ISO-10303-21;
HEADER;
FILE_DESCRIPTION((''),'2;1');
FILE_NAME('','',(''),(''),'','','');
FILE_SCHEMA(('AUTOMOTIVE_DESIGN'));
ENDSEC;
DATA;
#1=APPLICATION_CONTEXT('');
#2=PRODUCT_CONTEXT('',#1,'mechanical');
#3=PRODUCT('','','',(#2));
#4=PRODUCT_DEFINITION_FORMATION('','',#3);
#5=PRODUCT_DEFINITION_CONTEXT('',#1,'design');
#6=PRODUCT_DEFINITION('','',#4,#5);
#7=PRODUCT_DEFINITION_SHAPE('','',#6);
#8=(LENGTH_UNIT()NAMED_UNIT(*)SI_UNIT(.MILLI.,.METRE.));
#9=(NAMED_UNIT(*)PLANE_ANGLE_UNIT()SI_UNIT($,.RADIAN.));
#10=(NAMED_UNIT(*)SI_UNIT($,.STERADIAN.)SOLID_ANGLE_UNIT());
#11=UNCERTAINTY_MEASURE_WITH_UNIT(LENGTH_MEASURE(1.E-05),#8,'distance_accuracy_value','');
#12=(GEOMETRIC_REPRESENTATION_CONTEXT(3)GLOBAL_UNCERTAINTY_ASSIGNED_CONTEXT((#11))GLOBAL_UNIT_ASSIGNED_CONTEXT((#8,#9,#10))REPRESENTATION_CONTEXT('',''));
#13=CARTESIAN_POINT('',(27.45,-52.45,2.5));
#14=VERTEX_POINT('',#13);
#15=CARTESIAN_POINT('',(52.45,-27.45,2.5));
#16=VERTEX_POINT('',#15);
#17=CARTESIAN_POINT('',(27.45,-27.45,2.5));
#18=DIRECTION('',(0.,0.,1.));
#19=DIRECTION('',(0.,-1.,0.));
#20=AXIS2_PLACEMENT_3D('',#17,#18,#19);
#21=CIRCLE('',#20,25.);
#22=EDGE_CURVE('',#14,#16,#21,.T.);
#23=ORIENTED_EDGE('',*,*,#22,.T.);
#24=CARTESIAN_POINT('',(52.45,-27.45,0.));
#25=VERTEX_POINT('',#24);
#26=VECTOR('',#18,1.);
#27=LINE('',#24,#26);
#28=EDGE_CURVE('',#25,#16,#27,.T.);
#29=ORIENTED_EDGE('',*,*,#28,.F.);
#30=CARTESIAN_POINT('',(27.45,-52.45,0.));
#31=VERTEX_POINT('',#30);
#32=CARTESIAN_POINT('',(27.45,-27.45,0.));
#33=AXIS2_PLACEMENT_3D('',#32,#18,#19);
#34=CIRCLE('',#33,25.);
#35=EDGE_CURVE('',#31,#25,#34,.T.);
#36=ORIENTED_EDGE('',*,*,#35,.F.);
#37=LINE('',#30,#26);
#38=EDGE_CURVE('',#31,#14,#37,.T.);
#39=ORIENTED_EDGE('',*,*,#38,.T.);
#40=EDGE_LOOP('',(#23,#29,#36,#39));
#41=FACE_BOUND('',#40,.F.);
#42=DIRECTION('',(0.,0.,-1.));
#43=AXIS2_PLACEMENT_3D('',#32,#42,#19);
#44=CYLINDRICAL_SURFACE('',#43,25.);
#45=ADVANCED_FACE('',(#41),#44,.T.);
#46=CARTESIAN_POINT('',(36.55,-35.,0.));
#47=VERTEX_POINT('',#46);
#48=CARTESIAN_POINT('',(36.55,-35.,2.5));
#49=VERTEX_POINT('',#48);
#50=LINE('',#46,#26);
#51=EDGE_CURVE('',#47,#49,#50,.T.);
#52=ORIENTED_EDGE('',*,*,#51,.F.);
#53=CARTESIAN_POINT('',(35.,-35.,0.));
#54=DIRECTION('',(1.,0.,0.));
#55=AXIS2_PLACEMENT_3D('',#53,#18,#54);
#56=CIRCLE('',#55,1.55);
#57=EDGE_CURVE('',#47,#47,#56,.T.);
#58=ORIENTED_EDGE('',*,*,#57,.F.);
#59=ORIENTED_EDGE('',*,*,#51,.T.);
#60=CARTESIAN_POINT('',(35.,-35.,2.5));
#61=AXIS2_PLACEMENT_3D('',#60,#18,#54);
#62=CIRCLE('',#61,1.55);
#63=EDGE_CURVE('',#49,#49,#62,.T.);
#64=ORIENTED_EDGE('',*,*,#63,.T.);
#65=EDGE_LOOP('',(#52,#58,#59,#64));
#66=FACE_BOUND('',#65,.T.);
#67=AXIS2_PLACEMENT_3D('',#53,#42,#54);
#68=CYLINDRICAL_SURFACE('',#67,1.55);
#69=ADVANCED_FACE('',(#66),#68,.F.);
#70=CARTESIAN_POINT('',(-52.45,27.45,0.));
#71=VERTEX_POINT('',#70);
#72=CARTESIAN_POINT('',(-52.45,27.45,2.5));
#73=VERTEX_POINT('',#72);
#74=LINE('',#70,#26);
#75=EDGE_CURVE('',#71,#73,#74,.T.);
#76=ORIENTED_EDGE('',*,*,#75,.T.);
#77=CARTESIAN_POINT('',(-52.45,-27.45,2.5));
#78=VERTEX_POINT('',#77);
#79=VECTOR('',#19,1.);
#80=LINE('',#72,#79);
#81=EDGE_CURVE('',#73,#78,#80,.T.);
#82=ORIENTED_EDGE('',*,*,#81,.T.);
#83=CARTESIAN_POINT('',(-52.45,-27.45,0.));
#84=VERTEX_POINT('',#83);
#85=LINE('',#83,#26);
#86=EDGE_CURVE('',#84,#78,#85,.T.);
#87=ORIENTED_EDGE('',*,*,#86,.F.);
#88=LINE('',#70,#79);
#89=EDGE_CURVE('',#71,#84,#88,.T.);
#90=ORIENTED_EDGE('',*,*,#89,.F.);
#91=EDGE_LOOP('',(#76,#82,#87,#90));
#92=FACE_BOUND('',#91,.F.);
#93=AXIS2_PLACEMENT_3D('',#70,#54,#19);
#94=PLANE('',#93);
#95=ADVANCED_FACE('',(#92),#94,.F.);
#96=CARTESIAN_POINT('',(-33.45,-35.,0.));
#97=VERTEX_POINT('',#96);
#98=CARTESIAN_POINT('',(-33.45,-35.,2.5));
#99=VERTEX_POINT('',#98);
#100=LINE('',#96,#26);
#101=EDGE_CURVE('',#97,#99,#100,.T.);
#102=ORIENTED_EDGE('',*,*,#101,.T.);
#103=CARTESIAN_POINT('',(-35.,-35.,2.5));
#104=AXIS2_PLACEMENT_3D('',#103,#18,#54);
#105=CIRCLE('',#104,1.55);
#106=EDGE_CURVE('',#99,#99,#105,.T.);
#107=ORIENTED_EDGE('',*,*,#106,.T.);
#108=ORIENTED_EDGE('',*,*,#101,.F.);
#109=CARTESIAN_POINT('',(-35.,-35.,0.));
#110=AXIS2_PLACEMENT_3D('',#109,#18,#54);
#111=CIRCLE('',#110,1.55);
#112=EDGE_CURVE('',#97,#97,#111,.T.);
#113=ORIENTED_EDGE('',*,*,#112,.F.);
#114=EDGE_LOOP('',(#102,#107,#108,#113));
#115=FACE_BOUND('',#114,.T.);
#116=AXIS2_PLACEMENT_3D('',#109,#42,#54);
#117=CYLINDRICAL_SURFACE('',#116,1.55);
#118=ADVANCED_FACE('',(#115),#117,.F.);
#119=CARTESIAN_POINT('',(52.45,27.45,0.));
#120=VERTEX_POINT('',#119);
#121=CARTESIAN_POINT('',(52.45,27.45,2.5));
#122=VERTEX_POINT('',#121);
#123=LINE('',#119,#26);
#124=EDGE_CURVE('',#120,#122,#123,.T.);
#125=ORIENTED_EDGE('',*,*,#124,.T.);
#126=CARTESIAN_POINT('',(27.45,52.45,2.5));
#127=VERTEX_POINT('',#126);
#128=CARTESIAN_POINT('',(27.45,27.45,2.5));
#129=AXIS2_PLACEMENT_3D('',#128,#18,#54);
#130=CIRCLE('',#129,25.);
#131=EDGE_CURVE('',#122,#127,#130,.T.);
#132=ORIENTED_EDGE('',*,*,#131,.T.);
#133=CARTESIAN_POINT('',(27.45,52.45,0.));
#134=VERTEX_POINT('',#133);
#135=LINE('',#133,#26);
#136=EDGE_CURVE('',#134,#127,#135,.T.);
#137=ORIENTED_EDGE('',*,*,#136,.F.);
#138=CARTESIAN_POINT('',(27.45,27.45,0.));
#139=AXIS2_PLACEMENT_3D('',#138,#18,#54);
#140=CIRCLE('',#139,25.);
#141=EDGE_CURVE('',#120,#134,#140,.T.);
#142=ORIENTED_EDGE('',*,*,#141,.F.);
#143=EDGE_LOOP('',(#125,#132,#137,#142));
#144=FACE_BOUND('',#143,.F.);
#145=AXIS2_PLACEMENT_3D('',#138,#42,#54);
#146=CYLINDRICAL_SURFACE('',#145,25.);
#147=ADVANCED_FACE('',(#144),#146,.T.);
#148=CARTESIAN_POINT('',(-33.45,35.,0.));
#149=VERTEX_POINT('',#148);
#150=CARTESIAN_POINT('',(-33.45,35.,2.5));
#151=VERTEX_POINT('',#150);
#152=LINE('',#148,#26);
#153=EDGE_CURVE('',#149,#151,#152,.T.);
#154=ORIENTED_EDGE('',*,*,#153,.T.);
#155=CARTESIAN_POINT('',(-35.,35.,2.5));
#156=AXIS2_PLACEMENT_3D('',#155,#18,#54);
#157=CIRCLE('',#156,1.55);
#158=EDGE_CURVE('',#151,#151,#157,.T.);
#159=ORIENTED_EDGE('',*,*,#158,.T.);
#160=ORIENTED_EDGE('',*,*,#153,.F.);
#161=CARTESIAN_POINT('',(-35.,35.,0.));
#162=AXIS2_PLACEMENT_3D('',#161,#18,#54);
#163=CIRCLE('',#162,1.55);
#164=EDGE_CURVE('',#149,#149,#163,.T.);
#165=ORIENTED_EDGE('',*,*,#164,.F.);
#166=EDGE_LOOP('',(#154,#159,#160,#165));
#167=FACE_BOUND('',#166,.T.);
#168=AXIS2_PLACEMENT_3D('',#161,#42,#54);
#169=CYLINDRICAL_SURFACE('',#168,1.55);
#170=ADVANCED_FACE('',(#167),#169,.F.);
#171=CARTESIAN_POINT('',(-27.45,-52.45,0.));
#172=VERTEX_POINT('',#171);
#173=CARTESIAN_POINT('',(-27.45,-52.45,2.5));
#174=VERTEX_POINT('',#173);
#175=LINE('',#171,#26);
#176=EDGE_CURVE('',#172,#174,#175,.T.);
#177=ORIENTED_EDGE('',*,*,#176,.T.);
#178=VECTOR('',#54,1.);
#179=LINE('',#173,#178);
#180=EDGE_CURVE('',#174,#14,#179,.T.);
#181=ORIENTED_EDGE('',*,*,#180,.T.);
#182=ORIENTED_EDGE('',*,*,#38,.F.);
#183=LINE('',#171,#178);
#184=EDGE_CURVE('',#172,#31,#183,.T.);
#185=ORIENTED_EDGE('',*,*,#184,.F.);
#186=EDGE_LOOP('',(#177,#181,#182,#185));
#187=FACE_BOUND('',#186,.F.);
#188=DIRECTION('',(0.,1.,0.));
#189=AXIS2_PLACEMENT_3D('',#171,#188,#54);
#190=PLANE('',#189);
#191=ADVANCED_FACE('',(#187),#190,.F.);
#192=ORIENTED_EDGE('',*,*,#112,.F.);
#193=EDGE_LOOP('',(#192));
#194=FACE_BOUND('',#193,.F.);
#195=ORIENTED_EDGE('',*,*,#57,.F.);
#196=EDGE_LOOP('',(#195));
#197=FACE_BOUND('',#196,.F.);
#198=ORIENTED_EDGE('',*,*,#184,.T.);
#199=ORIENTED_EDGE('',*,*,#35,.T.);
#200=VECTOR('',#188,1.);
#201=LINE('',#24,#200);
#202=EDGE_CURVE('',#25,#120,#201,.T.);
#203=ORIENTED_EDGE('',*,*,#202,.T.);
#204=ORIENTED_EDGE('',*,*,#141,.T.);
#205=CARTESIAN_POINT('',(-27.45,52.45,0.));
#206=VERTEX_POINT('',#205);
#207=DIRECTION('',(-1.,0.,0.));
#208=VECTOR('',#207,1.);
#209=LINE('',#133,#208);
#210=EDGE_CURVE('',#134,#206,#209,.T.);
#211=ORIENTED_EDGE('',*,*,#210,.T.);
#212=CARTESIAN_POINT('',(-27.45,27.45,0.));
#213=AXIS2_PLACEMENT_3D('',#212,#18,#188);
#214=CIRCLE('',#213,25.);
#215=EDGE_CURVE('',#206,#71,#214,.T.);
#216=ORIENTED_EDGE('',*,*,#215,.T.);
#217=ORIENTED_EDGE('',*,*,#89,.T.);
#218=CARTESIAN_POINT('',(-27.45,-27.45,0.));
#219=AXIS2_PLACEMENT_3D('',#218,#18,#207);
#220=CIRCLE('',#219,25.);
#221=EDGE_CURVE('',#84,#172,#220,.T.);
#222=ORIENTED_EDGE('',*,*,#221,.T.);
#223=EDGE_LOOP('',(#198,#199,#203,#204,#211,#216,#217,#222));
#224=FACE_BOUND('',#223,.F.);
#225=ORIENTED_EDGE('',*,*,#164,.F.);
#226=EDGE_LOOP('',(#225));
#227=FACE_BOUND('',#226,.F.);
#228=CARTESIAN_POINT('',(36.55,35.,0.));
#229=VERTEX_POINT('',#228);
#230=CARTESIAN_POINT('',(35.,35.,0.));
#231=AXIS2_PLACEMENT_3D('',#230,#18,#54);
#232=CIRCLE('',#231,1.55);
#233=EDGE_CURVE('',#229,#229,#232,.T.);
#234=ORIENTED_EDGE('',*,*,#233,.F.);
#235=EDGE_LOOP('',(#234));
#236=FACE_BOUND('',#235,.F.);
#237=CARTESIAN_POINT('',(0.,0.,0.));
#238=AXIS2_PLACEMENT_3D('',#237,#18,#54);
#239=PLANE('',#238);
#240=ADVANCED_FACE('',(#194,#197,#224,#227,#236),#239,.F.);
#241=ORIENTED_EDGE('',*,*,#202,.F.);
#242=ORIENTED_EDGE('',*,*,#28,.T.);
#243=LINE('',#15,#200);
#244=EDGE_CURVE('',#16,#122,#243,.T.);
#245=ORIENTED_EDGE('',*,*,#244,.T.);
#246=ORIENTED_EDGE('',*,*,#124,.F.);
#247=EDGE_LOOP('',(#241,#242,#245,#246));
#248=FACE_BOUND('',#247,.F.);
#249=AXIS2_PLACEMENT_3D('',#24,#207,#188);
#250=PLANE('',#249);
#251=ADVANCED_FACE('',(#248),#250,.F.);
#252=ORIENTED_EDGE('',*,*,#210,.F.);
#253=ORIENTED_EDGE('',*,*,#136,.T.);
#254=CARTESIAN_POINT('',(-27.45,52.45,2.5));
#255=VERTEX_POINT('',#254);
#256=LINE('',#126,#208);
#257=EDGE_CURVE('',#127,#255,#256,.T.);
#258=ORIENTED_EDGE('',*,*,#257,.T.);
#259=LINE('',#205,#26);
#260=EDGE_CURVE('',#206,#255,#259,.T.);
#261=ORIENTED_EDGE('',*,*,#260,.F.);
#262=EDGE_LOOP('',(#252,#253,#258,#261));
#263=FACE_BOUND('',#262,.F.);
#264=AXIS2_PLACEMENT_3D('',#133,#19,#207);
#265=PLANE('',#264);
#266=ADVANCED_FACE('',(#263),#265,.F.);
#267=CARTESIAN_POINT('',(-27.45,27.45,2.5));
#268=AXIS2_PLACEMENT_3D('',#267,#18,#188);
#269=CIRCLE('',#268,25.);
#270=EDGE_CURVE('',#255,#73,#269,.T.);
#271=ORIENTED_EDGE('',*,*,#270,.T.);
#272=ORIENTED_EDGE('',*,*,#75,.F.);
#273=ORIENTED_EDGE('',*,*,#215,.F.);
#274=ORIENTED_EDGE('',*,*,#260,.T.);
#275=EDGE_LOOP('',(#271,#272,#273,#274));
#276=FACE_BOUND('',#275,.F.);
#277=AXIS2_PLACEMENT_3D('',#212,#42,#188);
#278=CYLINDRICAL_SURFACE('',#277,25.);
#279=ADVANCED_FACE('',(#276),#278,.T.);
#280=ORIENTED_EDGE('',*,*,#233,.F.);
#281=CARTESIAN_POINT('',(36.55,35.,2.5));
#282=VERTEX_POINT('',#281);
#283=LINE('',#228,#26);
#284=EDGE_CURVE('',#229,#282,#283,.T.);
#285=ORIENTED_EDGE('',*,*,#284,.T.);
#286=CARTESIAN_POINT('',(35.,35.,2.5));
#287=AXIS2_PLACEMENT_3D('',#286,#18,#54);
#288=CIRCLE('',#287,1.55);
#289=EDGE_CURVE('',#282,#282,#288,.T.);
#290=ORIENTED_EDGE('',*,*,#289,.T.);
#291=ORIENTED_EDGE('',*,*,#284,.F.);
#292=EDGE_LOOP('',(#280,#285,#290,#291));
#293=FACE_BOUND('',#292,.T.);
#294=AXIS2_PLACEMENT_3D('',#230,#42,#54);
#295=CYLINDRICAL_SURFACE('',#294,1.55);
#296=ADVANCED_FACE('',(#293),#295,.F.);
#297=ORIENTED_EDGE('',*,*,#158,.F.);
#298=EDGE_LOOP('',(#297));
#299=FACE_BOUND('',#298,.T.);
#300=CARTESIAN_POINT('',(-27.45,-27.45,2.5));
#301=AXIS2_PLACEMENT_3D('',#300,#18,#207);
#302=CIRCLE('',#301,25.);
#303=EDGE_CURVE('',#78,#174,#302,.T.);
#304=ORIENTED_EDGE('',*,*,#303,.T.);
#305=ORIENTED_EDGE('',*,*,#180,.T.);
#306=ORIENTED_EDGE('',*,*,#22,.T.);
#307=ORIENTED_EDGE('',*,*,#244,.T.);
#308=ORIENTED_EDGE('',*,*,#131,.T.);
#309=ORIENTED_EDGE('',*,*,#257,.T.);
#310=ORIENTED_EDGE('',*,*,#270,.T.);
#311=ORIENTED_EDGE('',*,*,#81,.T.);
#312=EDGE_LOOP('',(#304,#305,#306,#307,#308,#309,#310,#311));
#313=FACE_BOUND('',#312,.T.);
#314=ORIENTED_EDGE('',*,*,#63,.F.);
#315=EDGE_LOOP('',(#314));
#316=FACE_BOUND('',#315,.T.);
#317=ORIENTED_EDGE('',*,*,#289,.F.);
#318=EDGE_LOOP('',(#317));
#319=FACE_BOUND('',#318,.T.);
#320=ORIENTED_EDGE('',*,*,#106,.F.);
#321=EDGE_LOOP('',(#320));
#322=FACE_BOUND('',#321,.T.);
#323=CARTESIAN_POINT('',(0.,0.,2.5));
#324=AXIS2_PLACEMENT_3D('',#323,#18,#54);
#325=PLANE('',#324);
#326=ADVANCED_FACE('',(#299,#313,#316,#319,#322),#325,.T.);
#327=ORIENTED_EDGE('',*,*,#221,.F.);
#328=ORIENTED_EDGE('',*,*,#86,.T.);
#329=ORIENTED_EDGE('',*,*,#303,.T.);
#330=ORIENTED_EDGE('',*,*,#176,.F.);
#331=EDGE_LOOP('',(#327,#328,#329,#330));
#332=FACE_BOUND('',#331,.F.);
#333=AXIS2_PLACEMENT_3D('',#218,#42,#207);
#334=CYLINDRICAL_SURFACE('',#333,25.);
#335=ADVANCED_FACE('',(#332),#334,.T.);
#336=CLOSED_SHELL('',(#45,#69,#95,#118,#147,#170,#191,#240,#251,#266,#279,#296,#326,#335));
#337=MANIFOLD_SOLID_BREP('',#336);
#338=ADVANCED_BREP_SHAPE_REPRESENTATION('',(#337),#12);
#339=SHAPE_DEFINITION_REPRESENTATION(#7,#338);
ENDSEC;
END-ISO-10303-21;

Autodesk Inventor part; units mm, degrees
ref_plane "YZ Plane" through (0, 0, 0) normal (1, 0, 0) x (0, 1, 0)
ref_plane "XZ Plane" through (0, 0, 0) normal (0, 1, 0) x (-1, 0, 0)
ref_plane "XY Plane" through (0, 0, 0) normal (0, 0, 1) x (1, 0, 0)
sketch "Sketch1" plane through (0, 0, 0) normal (0, 0, 1) x (1, 0, 0)
  line L0 (-27.45, -52.45) -> (27.45, -52.45)
  line L1 (52.45, -27.45) -> (52.45, 27.45)
  line L2 (27.45, 52.45) -> (-27.45, 52.45)
  line L3 (-52.45, 27.45) -> (-52.45, -27.45)
  line L4 (-52.45, -52.45) -> (52.45, 52.45) construction
  line L5 (52.45, -52.45) -> (-52.45, 52.45) construction
  arc A0 (-27.45, 52.45) -> (-52.45, 27.45) centre (-27.45, 27.45) ccw
  arc A1 (-52.45, -27.45) -> (-27.45, -52.45) centre (-27.45, -27.45) ccw
  arc A2 (27.45, -52.45) -> (52.45, -27.45) centre (27.45, -27.45) ccw
  arc A3 (52.45, 27.45) -> (27.45, 52.45) centre (27.45, 27.45) ccw
  line L6 (-35, 35) -> (35, 35) construction
  line L7 (35, 35) -> (35, -35) construction
  line L8 (35, -35) -> (-35, -35) construction
  line L9 (-35, -35) -> (-35, 35) construction
  line L10 (-35, 35) -> (35, -35) construction
  line L11 (35, 35) -> (-35, -35) construction
  circle A4 centre (35, 35) radius 1.55
  circle A5 centre (35, -35) radius 1.55
  circle A6 centre (-35, -35) radius 1.55
  circle A7 centre (-35, 35) radius 1.55
  point P0 (0, 0)
  dimension "d0" = 104.9
  dimension "d1" = 104.9
  dimension "d2" = 25
  dimension "d6" = 70
  dimension "d7" = 3.1
extrude "Extrusion1" add sketch "Sketch1" along normal blind 2.5
equation "\"d1\" = d0"
properties part number "NewFront_D"
